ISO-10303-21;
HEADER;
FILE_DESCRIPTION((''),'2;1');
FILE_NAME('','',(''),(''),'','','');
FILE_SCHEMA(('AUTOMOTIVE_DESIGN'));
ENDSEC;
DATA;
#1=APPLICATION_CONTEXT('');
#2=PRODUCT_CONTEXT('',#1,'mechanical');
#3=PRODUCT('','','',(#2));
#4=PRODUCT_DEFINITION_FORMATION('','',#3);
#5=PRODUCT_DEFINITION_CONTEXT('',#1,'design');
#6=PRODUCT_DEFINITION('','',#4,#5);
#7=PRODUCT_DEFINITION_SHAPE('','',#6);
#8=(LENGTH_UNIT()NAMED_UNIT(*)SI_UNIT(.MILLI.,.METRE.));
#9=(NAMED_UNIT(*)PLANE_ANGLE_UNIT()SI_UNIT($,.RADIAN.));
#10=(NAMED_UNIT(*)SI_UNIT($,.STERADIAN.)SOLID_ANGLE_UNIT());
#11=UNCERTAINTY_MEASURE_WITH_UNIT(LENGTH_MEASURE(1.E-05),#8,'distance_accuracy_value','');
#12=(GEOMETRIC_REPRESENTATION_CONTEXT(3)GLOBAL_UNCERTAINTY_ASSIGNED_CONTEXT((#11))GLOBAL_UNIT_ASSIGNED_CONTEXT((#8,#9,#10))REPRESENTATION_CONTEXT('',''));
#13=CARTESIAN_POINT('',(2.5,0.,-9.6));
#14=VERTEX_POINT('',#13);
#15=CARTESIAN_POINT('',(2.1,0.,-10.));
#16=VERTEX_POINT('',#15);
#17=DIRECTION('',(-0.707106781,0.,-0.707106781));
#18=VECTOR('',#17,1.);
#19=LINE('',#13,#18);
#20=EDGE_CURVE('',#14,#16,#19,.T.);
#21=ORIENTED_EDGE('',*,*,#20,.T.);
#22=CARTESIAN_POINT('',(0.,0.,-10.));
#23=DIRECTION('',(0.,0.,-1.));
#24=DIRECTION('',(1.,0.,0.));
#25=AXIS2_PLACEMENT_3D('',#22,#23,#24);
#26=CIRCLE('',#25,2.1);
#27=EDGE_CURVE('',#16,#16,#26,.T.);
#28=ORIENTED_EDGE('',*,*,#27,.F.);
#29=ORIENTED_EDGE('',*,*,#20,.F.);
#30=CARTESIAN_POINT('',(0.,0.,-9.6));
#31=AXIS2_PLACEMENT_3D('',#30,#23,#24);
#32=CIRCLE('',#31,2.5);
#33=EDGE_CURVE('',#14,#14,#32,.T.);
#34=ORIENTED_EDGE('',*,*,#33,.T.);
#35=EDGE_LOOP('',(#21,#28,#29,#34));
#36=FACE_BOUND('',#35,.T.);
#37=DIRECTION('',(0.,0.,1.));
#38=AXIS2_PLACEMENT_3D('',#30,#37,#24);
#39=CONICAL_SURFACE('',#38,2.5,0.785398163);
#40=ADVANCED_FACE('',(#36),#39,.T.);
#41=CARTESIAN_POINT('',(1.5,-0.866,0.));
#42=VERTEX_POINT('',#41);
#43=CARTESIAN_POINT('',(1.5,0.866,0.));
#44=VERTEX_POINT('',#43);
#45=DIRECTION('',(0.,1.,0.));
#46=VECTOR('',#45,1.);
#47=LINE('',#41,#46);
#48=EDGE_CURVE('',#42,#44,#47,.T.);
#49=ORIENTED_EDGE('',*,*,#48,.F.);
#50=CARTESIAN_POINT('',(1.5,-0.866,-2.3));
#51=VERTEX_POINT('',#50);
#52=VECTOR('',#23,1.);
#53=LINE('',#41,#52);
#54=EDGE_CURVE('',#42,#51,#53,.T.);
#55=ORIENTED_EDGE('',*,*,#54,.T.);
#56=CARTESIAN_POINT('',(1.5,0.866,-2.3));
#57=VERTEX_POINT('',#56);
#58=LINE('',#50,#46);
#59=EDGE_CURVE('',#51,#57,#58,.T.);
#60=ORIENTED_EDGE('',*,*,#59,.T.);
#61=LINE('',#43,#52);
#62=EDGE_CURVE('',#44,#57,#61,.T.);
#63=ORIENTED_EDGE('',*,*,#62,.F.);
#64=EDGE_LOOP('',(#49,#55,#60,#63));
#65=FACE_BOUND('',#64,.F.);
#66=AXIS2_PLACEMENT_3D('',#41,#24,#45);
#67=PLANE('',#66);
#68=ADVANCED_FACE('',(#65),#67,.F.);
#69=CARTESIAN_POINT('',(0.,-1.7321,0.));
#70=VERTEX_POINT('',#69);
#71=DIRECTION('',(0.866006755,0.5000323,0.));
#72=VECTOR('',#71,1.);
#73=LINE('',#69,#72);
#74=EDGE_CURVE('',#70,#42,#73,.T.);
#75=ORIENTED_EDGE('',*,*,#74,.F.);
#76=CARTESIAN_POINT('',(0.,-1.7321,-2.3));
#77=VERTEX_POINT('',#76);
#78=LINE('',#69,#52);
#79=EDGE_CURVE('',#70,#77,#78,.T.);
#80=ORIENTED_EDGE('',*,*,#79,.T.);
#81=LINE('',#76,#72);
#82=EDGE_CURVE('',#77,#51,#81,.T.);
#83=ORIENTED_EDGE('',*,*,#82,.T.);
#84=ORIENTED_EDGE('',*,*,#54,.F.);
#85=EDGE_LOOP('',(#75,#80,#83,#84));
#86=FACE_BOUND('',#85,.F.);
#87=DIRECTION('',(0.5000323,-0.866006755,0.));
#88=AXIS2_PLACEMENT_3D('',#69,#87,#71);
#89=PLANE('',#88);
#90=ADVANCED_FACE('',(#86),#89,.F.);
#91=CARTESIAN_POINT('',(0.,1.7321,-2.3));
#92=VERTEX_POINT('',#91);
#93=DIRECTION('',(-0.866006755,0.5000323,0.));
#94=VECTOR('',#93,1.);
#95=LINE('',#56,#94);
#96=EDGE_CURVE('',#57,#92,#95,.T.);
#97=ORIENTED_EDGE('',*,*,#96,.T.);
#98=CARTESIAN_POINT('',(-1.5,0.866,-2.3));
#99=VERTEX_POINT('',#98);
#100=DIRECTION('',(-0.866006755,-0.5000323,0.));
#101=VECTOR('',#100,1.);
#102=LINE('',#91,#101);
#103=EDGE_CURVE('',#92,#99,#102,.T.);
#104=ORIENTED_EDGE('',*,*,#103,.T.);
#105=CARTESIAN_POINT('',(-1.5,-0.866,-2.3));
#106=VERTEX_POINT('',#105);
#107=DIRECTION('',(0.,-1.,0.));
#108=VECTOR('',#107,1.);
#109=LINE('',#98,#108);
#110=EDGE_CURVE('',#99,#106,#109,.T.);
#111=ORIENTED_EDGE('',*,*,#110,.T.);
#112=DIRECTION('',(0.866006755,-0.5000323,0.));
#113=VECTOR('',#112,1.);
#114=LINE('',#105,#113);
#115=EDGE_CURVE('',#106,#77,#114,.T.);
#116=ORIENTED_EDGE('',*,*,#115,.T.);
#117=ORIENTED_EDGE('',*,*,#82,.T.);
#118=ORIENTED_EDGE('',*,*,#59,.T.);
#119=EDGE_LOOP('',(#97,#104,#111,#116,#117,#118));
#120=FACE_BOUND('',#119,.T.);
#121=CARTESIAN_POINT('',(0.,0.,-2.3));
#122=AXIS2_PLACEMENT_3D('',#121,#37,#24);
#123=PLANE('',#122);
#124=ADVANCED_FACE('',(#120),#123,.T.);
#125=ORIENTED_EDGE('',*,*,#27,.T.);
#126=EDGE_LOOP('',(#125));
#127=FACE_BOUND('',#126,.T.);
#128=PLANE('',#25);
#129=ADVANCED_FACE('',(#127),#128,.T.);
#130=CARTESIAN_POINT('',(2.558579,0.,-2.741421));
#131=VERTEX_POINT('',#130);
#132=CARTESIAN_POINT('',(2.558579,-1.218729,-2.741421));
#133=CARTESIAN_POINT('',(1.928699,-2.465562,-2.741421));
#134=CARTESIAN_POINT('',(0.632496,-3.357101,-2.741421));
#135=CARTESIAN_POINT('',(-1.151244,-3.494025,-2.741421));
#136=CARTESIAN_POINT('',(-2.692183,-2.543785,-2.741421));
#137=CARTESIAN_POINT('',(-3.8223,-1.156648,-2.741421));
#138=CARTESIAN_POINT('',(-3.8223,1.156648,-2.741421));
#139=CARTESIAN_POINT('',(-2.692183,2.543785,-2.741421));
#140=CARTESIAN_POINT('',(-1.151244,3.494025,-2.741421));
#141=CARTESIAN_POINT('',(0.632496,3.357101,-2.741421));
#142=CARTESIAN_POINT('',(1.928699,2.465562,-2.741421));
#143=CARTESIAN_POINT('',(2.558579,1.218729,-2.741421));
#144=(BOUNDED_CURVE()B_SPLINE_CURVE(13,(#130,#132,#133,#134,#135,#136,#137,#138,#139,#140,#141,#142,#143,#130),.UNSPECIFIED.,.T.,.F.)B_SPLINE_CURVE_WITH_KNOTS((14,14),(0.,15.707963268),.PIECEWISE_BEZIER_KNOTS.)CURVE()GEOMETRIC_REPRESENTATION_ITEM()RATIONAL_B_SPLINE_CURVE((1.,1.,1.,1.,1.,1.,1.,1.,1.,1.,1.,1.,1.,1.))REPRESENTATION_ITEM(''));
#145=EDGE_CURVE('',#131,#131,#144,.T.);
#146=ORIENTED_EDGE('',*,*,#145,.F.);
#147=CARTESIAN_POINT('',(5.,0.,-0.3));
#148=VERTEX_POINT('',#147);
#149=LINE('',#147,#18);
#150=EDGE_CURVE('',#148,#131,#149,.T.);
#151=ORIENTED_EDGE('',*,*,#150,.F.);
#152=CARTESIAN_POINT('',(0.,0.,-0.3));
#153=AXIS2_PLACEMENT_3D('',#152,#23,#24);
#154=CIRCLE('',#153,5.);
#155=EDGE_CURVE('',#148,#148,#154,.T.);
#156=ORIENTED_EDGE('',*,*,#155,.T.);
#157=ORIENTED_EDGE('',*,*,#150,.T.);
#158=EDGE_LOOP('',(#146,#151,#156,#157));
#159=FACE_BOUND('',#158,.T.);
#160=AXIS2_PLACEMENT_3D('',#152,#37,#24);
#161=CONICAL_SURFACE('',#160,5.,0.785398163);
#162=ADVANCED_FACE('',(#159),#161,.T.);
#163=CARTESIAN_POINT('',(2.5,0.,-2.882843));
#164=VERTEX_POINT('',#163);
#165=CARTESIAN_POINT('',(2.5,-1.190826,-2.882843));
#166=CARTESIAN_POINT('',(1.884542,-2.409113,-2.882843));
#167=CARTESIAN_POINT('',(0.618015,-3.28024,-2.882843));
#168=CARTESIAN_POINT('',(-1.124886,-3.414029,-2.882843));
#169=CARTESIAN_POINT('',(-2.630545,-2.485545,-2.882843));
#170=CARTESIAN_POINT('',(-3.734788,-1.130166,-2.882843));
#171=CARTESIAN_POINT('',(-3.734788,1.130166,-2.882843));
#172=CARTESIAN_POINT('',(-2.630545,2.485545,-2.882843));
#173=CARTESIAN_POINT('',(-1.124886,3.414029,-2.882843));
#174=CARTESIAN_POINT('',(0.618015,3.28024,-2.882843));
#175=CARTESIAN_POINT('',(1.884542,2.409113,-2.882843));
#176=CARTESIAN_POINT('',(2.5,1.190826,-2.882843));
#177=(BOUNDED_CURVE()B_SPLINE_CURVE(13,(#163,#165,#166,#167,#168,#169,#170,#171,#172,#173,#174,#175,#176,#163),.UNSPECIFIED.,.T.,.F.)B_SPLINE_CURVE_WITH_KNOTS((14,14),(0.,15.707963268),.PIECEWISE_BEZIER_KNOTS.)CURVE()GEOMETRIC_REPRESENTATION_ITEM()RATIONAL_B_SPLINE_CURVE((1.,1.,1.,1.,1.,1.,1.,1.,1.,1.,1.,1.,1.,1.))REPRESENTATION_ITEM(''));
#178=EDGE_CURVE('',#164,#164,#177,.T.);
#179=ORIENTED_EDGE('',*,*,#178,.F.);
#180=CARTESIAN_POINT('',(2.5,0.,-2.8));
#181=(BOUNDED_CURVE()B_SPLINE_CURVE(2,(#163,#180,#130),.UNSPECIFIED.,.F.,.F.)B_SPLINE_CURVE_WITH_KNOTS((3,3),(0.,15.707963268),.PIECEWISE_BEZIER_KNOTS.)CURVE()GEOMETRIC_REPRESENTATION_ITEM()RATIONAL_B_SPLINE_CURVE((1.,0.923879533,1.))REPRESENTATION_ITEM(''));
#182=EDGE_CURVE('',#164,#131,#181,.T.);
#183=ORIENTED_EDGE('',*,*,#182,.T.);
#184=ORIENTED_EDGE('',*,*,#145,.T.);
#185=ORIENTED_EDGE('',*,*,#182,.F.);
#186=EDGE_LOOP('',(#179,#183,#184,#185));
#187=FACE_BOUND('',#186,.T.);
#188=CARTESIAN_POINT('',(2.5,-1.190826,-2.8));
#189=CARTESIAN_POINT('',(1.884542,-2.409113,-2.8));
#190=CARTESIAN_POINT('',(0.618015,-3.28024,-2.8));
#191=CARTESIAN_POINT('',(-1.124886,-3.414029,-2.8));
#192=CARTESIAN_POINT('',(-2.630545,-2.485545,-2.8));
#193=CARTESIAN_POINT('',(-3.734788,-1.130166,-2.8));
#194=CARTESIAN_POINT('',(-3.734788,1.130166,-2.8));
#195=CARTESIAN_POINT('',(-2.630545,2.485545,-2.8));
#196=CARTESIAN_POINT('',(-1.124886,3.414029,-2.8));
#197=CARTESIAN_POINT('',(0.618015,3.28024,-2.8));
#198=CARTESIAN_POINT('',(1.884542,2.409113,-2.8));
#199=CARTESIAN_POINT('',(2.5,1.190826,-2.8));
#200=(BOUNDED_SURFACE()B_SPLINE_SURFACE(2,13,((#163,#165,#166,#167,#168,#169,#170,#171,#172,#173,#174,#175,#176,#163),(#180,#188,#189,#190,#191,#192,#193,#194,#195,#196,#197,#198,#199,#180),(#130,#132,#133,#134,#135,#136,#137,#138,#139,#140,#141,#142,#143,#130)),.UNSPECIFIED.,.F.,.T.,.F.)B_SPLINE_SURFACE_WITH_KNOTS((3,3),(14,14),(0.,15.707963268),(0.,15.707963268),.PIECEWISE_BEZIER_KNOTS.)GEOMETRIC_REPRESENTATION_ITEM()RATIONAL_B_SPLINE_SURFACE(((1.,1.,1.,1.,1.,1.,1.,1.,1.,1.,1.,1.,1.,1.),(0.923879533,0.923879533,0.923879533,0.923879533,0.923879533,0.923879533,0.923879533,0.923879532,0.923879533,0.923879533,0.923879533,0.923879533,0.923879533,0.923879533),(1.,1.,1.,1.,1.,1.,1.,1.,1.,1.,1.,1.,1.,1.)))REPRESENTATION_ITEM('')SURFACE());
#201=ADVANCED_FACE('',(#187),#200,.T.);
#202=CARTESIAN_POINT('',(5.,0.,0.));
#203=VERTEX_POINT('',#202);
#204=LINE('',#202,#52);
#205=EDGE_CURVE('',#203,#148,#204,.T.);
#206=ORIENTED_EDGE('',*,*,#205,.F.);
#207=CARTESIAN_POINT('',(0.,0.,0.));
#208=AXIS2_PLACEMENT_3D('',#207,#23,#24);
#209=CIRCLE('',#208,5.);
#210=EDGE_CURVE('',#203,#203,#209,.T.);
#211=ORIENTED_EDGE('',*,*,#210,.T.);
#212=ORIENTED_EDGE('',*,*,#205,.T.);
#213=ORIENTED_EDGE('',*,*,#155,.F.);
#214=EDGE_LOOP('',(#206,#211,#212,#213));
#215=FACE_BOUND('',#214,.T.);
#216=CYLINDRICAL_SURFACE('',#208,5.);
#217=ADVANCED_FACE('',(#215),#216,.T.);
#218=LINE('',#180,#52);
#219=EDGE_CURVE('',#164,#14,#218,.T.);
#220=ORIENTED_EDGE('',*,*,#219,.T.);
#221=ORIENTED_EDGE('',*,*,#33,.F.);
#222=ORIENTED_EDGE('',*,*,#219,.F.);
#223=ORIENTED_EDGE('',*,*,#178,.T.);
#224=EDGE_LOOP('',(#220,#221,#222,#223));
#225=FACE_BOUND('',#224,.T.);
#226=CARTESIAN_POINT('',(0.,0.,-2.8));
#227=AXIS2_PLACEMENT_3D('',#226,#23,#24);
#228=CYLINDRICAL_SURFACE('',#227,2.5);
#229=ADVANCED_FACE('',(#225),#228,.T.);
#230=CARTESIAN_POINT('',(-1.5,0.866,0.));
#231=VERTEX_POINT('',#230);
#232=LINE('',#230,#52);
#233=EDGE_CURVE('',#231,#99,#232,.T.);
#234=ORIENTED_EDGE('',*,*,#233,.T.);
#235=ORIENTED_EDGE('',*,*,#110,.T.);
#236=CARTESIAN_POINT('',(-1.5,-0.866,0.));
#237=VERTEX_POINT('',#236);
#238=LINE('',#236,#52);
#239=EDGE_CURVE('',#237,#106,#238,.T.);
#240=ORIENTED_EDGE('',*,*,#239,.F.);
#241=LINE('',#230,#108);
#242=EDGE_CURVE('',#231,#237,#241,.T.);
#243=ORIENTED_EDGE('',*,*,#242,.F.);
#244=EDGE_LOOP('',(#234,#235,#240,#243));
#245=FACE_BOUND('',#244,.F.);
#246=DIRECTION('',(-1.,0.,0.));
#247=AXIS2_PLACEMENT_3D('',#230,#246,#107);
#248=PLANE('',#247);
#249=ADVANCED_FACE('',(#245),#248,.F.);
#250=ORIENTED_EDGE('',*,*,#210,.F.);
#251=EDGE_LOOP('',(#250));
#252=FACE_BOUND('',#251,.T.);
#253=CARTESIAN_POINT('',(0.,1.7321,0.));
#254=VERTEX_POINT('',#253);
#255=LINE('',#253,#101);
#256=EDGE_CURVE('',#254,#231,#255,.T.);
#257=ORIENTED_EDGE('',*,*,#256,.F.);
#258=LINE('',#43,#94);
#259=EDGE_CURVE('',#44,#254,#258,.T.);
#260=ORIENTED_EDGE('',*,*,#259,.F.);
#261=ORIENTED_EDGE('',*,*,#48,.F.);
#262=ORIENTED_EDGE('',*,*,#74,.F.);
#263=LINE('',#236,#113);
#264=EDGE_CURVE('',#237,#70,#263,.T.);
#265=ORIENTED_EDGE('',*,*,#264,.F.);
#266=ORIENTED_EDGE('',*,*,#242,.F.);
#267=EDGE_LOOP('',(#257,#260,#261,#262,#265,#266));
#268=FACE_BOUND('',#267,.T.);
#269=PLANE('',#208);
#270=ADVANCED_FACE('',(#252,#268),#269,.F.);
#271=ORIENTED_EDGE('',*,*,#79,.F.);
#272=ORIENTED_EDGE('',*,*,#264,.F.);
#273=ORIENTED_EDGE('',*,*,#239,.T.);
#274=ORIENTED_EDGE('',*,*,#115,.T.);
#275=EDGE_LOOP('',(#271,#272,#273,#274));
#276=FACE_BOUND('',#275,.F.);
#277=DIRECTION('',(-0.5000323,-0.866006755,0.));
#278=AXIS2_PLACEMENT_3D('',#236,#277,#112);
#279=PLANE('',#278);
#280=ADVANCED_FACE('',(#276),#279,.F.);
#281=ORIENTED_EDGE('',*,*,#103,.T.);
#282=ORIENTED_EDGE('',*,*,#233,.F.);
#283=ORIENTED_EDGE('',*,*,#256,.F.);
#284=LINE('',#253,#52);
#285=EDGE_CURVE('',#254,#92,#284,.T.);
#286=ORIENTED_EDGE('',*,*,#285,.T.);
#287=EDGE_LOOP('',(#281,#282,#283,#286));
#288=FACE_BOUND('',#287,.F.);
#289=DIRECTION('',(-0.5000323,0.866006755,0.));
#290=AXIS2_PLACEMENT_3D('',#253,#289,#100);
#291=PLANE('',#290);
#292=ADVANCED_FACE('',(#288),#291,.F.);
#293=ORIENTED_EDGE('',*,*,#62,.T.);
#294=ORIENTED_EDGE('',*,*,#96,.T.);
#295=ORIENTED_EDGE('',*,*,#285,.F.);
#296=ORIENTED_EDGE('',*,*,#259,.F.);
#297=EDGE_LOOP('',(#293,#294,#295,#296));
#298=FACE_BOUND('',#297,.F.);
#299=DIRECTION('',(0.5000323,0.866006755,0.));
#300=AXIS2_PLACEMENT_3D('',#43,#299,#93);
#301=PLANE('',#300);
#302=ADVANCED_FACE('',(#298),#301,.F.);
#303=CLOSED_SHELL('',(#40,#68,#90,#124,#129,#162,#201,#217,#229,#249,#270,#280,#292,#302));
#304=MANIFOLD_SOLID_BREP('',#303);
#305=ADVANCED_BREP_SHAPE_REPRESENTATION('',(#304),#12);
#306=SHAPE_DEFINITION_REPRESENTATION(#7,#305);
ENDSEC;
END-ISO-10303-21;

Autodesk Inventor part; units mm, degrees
ref_plane "YZ Plane" through (0, 0, 0) normal (1, 0, 0) x (0, 1, 0)
sketch "Эскиз1" plane through (0, 0, 0) normal (0, 1, 0) x (-1, 0, 0)
  point P0 (0, 0)
sketch "Эскиз2" plane through (0, 0, 0) normal (0, 1, 0) x (-1, 0, 0)
  line L0 (-2.5, -10) -> (0, -10)
  line L1 (-2.5, -2.8) -> (-2.5, -10)
  line L2 (-5, -0.3) -> (-2.5, -2.8)
  line L3 (-5, 0) -> (-5, -0.3)
  line L4 (0, 0) -> (-5, 0)
  line L5 (0, -10) -> (0, 0)
  line L6 (0, -10) -> (0, 0)
  line L7 (0, -12) -> (0, 2) projected
  line L8 (1, 0) -> (-6, 0) projected
  dimension "d3" = 5
  dimension "d5" = 2.5
  dimension "d7" = 10
  dimension "ParC" = 0.3
  dimension "d22" = 0
  dimension "d23" = 0
  dimension "d43" = 45
revolve "Вращение1" add sketch "Эскиз2" angle 360 about axis through (0, 0, -10) along (0, 0, -1)
sketch "Эскиз3" plane through (0, 0, 0) normal (0, 0, 1) x (1, 0, 0)
  line L0 (-1.5, 0.866) -> (-1.5, -0.866)
  line L1 (0, 1.7321) -> (-1.5, 0.866)
  line L2 (1.5, 0.866) -> (0, 1.7321)
  line L3 (1.5, -0.866) -> (1.5, 0.866)
  line L4 (0, -1.7321) -> (1.5, -0.866)
  line L5 (-1.5, -0.866) -> (0, -1.7321)
  circle A0 centre (0, 0) radius 1.5 construction
  circle A1 centre (0, 0) radius 2.5 construction
  dimension "d11" = 3
  dimension "d13" = 120
  dimension "d15" = 120
extrude "Выдавливание1" cut sketch "Эскиз3" against normal blind 2.3
fillet "Сопряжение1" radius 0.2 1 edges at (-2.5, 0, -2.8)
chamfer "Фаска1" distance 0.4 angle 45 1 edges at (-2.5, 0, -10) measured on face at (-0.599, -2.4272, -7.6276)
thread "Резьба1" size "M5x0.8" class "6g" standard "ISO Metric profile" length 5.6
ref_plane "MSC_PF1" through (0, 0, 0) normal (1, 0, 0) x (0, 1, 0)
ref_plane "MSC_PT1" through (0, 0, 0) normal (0, 0, -1) x (-1, 0, 0)
equation "\"d3\" = 0.5 * dk"
equation "\"d5\" = 0.5 * NND"
equation "\"d7\" = NLG"
equation "\"d43\" = 0.5 * ang"
equation "\"d11\" = ParS"
equation "\"d16\" = ParT"
equation "\"d18\" = r"
equation "\"d19\" = 0.5 * PTC"
equation "\"d39\" = 0.5 * PTC"
equation "\"NND\" = 5"
equation "\"PTC\" = 0.8"
equation "\"ParK\" = 2.8"
equation "\"ParS\" = 3"
equation "\"ParT\" = 2.3"
equation "\"r\" = 0.2"
equation "\"NLG\" = 10"
equation "\"ang\" = 90deg"
equation "\"THREADDIA\" = NND"
equation "\"dk\" = 10"
properties part number "DIN 7991 - M5x10" material "Сталь, мягкая"
